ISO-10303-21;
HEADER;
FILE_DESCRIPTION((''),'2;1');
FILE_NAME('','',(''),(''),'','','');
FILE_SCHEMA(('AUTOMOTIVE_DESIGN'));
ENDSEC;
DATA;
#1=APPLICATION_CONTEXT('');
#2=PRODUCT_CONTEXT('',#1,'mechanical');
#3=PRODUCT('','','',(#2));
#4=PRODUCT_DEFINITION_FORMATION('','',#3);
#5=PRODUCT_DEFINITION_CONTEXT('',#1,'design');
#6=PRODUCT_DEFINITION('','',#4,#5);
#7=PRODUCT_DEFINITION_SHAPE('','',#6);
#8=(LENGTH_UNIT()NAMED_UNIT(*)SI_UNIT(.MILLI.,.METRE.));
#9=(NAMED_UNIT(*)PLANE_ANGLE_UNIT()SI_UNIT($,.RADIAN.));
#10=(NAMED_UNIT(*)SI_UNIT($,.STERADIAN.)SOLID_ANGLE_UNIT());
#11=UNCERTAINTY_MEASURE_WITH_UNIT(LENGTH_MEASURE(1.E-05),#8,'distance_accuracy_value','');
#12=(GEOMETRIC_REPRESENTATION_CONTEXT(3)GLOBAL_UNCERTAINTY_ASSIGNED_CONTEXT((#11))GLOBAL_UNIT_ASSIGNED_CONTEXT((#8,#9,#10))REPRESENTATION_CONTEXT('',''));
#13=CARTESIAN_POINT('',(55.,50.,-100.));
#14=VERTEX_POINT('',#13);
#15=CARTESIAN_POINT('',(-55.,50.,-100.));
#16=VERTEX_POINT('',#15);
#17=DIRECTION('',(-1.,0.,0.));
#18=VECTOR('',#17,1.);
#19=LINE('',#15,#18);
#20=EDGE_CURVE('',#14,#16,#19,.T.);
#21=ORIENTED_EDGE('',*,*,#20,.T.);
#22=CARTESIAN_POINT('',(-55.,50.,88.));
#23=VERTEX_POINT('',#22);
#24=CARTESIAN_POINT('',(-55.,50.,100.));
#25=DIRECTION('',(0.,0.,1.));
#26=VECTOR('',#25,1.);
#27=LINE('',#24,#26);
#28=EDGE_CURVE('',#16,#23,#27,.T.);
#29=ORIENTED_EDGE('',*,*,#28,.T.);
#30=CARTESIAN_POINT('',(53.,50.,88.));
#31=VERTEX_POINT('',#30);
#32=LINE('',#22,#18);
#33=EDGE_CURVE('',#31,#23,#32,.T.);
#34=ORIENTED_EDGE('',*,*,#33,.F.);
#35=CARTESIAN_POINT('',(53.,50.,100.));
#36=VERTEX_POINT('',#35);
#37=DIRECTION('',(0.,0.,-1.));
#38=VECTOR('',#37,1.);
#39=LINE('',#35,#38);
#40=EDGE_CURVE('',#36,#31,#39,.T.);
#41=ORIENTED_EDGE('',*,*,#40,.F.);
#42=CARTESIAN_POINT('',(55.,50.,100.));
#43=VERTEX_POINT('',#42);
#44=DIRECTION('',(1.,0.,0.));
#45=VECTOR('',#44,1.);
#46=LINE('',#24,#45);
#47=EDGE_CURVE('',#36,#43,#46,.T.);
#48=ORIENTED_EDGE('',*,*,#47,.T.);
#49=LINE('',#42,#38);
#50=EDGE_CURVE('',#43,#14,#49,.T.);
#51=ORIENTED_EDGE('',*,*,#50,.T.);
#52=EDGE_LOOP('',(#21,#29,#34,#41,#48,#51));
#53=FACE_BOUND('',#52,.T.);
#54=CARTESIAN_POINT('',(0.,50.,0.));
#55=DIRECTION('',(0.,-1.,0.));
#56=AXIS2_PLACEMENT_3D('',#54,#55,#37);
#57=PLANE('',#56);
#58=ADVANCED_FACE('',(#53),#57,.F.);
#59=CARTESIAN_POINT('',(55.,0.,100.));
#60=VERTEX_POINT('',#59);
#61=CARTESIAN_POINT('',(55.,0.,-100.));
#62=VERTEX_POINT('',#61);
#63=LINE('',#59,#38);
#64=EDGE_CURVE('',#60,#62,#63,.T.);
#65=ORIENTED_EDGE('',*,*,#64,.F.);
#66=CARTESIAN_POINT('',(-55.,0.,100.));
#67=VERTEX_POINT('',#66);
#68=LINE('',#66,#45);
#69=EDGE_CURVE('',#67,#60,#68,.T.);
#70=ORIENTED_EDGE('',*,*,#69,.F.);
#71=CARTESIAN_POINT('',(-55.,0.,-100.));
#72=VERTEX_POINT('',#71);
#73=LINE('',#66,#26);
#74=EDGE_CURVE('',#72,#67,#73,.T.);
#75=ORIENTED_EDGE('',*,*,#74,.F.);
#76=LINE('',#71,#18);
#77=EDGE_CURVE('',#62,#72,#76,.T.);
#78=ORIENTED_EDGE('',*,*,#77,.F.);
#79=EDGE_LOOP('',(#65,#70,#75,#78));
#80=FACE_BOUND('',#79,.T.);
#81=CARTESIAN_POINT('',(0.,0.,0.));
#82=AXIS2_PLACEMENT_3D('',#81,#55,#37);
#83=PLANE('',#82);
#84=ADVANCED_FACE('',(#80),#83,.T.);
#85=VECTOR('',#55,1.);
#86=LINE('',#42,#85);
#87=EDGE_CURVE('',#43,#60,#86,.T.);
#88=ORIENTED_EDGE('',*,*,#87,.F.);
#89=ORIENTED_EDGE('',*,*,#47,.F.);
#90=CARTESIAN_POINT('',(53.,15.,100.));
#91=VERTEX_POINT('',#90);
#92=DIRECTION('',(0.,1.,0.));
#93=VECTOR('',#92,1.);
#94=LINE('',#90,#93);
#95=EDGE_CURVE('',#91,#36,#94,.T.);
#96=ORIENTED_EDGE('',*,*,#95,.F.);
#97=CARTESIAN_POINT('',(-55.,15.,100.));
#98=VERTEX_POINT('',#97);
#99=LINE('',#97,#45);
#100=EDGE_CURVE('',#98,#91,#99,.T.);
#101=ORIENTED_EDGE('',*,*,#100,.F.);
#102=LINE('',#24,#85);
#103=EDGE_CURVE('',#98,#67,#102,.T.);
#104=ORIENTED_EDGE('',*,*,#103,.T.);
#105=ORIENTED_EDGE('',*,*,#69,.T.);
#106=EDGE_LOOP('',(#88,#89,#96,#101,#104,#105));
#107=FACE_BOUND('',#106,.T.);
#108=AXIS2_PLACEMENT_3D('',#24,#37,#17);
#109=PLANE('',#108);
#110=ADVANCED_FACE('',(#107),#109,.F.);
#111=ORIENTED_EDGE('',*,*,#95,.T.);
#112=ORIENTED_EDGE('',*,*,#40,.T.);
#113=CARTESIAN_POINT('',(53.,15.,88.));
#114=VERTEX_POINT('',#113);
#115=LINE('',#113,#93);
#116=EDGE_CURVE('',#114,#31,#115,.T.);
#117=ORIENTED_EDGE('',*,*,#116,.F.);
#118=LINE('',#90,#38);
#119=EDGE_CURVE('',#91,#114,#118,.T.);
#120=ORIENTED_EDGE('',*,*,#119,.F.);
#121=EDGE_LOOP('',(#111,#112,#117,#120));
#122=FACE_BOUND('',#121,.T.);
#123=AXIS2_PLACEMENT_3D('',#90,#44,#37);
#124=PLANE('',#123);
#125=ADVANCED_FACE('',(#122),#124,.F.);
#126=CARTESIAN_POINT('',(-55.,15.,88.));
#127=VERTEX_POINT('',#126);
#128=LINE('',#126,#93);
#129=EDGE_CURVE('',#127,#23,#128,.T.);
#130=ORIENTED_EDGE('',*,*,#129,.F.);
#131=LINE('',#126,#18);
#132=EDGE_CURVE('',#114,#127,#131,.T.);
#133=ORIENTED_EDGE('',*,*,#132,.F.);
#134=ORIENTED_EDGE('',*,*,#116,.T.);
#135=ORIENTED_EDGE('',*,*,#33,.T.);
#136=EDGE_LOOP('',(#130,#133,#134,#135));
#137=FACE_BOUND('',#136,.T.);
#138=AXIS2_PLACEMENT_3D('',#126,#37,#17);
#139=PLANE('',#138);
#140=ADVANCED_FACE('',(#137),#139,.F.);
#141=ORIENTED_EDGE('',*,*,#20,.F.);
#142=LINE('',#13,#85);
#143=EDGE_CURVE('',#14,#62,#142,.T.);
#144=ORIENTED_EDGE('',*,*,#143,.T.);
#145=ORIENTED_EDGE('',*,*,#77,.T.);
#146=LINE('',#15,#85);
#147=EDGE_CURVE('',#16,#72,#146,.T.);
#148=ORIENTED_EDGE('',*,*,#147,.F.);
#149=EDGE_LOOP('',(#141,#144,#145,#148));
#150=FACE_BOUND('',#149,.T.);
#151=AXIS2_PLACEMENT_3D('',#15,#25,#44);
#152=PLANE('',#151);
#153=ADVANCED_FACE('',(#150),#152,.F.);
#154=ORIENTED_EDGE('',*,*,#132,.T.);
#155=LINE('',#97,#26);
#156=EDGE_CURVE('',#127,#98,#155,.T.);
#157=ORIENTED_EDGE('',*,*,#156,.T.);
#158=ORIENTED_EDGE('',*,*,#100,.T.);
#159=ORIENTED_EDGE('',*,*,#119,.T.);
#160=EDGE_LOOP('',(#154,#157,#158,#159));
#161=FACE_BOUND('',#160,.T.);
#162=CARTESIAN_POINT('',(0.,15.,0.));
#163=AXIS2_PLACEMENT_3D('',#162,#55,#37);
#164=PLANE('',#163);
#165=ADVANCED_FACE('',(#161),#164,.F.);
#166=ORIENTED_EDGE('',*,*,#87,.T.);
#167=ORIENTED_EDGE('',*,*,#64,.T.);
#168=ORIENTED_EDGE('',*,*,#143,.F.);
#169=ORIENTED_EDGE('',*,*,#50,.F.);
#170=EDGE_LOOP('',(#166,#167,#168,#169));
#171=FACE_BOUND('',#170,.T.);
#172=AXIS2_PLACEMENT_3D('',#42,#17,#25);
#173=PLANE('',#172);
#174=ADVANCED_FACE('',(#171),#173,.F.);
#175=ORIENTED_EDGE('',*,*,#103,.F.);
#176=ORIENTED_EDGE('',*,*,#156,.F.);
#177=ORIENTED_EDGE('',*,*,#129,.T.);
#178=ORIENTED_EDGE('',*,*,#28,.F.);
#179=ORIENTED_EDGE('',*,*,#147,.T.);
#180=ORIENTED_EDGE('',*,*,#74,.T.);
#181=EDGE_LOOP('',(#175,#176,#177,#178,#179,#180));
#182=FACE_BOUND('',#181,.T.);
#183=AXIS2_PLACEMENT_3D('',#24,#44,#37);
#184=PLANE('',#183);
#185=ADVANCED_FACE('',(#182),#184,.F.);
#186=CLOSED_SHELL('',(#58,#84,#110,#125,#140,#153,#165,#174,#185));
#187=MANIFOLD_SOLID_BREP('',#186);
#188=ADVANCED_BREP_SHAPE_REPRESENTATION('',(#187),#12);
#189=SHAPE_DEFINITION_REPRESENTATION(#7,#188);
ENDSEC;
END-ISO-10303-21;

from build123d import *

# Parameters (mm, degrees)
SKETCH1_W           = 110
SKETCH1_H           = 200
BOSS_EXTRUDE1_DEPTH = 50
SKETCH2_W           = 108
SKETCH2_H           = 12
CUT_EXTRUDE1_DEPTH  = 35


with BuildPart() as part:
    # Sketch1 → Boss-Extrude1 (new body)
    with BuildSketch(Plane(origin=(0, 0, 0), x_dir=(1, 0, 0), z_dir=(0, 1, 0))):
        Rectangle(SKETCH1_W, SKETCH1_H)
    extrude(amount=BOSS_EXTRUDE1_DEPTH)

    # Sketch2 → Cut-Extrude1 (cut)
    with BuildSketch(Plane(origin=(0, 50, 0), x_dir=(1, 0, 0), z_dir=(0, 1, 0))):
        with Locations((-1, -94)):
            Rectangle(SKETCH2_W, SKETCH2_H)
    extrude(amount=-CUT_EXTRUDE1_DEPTH, mode=Mode.SUBTRACT)


solid = part.part
